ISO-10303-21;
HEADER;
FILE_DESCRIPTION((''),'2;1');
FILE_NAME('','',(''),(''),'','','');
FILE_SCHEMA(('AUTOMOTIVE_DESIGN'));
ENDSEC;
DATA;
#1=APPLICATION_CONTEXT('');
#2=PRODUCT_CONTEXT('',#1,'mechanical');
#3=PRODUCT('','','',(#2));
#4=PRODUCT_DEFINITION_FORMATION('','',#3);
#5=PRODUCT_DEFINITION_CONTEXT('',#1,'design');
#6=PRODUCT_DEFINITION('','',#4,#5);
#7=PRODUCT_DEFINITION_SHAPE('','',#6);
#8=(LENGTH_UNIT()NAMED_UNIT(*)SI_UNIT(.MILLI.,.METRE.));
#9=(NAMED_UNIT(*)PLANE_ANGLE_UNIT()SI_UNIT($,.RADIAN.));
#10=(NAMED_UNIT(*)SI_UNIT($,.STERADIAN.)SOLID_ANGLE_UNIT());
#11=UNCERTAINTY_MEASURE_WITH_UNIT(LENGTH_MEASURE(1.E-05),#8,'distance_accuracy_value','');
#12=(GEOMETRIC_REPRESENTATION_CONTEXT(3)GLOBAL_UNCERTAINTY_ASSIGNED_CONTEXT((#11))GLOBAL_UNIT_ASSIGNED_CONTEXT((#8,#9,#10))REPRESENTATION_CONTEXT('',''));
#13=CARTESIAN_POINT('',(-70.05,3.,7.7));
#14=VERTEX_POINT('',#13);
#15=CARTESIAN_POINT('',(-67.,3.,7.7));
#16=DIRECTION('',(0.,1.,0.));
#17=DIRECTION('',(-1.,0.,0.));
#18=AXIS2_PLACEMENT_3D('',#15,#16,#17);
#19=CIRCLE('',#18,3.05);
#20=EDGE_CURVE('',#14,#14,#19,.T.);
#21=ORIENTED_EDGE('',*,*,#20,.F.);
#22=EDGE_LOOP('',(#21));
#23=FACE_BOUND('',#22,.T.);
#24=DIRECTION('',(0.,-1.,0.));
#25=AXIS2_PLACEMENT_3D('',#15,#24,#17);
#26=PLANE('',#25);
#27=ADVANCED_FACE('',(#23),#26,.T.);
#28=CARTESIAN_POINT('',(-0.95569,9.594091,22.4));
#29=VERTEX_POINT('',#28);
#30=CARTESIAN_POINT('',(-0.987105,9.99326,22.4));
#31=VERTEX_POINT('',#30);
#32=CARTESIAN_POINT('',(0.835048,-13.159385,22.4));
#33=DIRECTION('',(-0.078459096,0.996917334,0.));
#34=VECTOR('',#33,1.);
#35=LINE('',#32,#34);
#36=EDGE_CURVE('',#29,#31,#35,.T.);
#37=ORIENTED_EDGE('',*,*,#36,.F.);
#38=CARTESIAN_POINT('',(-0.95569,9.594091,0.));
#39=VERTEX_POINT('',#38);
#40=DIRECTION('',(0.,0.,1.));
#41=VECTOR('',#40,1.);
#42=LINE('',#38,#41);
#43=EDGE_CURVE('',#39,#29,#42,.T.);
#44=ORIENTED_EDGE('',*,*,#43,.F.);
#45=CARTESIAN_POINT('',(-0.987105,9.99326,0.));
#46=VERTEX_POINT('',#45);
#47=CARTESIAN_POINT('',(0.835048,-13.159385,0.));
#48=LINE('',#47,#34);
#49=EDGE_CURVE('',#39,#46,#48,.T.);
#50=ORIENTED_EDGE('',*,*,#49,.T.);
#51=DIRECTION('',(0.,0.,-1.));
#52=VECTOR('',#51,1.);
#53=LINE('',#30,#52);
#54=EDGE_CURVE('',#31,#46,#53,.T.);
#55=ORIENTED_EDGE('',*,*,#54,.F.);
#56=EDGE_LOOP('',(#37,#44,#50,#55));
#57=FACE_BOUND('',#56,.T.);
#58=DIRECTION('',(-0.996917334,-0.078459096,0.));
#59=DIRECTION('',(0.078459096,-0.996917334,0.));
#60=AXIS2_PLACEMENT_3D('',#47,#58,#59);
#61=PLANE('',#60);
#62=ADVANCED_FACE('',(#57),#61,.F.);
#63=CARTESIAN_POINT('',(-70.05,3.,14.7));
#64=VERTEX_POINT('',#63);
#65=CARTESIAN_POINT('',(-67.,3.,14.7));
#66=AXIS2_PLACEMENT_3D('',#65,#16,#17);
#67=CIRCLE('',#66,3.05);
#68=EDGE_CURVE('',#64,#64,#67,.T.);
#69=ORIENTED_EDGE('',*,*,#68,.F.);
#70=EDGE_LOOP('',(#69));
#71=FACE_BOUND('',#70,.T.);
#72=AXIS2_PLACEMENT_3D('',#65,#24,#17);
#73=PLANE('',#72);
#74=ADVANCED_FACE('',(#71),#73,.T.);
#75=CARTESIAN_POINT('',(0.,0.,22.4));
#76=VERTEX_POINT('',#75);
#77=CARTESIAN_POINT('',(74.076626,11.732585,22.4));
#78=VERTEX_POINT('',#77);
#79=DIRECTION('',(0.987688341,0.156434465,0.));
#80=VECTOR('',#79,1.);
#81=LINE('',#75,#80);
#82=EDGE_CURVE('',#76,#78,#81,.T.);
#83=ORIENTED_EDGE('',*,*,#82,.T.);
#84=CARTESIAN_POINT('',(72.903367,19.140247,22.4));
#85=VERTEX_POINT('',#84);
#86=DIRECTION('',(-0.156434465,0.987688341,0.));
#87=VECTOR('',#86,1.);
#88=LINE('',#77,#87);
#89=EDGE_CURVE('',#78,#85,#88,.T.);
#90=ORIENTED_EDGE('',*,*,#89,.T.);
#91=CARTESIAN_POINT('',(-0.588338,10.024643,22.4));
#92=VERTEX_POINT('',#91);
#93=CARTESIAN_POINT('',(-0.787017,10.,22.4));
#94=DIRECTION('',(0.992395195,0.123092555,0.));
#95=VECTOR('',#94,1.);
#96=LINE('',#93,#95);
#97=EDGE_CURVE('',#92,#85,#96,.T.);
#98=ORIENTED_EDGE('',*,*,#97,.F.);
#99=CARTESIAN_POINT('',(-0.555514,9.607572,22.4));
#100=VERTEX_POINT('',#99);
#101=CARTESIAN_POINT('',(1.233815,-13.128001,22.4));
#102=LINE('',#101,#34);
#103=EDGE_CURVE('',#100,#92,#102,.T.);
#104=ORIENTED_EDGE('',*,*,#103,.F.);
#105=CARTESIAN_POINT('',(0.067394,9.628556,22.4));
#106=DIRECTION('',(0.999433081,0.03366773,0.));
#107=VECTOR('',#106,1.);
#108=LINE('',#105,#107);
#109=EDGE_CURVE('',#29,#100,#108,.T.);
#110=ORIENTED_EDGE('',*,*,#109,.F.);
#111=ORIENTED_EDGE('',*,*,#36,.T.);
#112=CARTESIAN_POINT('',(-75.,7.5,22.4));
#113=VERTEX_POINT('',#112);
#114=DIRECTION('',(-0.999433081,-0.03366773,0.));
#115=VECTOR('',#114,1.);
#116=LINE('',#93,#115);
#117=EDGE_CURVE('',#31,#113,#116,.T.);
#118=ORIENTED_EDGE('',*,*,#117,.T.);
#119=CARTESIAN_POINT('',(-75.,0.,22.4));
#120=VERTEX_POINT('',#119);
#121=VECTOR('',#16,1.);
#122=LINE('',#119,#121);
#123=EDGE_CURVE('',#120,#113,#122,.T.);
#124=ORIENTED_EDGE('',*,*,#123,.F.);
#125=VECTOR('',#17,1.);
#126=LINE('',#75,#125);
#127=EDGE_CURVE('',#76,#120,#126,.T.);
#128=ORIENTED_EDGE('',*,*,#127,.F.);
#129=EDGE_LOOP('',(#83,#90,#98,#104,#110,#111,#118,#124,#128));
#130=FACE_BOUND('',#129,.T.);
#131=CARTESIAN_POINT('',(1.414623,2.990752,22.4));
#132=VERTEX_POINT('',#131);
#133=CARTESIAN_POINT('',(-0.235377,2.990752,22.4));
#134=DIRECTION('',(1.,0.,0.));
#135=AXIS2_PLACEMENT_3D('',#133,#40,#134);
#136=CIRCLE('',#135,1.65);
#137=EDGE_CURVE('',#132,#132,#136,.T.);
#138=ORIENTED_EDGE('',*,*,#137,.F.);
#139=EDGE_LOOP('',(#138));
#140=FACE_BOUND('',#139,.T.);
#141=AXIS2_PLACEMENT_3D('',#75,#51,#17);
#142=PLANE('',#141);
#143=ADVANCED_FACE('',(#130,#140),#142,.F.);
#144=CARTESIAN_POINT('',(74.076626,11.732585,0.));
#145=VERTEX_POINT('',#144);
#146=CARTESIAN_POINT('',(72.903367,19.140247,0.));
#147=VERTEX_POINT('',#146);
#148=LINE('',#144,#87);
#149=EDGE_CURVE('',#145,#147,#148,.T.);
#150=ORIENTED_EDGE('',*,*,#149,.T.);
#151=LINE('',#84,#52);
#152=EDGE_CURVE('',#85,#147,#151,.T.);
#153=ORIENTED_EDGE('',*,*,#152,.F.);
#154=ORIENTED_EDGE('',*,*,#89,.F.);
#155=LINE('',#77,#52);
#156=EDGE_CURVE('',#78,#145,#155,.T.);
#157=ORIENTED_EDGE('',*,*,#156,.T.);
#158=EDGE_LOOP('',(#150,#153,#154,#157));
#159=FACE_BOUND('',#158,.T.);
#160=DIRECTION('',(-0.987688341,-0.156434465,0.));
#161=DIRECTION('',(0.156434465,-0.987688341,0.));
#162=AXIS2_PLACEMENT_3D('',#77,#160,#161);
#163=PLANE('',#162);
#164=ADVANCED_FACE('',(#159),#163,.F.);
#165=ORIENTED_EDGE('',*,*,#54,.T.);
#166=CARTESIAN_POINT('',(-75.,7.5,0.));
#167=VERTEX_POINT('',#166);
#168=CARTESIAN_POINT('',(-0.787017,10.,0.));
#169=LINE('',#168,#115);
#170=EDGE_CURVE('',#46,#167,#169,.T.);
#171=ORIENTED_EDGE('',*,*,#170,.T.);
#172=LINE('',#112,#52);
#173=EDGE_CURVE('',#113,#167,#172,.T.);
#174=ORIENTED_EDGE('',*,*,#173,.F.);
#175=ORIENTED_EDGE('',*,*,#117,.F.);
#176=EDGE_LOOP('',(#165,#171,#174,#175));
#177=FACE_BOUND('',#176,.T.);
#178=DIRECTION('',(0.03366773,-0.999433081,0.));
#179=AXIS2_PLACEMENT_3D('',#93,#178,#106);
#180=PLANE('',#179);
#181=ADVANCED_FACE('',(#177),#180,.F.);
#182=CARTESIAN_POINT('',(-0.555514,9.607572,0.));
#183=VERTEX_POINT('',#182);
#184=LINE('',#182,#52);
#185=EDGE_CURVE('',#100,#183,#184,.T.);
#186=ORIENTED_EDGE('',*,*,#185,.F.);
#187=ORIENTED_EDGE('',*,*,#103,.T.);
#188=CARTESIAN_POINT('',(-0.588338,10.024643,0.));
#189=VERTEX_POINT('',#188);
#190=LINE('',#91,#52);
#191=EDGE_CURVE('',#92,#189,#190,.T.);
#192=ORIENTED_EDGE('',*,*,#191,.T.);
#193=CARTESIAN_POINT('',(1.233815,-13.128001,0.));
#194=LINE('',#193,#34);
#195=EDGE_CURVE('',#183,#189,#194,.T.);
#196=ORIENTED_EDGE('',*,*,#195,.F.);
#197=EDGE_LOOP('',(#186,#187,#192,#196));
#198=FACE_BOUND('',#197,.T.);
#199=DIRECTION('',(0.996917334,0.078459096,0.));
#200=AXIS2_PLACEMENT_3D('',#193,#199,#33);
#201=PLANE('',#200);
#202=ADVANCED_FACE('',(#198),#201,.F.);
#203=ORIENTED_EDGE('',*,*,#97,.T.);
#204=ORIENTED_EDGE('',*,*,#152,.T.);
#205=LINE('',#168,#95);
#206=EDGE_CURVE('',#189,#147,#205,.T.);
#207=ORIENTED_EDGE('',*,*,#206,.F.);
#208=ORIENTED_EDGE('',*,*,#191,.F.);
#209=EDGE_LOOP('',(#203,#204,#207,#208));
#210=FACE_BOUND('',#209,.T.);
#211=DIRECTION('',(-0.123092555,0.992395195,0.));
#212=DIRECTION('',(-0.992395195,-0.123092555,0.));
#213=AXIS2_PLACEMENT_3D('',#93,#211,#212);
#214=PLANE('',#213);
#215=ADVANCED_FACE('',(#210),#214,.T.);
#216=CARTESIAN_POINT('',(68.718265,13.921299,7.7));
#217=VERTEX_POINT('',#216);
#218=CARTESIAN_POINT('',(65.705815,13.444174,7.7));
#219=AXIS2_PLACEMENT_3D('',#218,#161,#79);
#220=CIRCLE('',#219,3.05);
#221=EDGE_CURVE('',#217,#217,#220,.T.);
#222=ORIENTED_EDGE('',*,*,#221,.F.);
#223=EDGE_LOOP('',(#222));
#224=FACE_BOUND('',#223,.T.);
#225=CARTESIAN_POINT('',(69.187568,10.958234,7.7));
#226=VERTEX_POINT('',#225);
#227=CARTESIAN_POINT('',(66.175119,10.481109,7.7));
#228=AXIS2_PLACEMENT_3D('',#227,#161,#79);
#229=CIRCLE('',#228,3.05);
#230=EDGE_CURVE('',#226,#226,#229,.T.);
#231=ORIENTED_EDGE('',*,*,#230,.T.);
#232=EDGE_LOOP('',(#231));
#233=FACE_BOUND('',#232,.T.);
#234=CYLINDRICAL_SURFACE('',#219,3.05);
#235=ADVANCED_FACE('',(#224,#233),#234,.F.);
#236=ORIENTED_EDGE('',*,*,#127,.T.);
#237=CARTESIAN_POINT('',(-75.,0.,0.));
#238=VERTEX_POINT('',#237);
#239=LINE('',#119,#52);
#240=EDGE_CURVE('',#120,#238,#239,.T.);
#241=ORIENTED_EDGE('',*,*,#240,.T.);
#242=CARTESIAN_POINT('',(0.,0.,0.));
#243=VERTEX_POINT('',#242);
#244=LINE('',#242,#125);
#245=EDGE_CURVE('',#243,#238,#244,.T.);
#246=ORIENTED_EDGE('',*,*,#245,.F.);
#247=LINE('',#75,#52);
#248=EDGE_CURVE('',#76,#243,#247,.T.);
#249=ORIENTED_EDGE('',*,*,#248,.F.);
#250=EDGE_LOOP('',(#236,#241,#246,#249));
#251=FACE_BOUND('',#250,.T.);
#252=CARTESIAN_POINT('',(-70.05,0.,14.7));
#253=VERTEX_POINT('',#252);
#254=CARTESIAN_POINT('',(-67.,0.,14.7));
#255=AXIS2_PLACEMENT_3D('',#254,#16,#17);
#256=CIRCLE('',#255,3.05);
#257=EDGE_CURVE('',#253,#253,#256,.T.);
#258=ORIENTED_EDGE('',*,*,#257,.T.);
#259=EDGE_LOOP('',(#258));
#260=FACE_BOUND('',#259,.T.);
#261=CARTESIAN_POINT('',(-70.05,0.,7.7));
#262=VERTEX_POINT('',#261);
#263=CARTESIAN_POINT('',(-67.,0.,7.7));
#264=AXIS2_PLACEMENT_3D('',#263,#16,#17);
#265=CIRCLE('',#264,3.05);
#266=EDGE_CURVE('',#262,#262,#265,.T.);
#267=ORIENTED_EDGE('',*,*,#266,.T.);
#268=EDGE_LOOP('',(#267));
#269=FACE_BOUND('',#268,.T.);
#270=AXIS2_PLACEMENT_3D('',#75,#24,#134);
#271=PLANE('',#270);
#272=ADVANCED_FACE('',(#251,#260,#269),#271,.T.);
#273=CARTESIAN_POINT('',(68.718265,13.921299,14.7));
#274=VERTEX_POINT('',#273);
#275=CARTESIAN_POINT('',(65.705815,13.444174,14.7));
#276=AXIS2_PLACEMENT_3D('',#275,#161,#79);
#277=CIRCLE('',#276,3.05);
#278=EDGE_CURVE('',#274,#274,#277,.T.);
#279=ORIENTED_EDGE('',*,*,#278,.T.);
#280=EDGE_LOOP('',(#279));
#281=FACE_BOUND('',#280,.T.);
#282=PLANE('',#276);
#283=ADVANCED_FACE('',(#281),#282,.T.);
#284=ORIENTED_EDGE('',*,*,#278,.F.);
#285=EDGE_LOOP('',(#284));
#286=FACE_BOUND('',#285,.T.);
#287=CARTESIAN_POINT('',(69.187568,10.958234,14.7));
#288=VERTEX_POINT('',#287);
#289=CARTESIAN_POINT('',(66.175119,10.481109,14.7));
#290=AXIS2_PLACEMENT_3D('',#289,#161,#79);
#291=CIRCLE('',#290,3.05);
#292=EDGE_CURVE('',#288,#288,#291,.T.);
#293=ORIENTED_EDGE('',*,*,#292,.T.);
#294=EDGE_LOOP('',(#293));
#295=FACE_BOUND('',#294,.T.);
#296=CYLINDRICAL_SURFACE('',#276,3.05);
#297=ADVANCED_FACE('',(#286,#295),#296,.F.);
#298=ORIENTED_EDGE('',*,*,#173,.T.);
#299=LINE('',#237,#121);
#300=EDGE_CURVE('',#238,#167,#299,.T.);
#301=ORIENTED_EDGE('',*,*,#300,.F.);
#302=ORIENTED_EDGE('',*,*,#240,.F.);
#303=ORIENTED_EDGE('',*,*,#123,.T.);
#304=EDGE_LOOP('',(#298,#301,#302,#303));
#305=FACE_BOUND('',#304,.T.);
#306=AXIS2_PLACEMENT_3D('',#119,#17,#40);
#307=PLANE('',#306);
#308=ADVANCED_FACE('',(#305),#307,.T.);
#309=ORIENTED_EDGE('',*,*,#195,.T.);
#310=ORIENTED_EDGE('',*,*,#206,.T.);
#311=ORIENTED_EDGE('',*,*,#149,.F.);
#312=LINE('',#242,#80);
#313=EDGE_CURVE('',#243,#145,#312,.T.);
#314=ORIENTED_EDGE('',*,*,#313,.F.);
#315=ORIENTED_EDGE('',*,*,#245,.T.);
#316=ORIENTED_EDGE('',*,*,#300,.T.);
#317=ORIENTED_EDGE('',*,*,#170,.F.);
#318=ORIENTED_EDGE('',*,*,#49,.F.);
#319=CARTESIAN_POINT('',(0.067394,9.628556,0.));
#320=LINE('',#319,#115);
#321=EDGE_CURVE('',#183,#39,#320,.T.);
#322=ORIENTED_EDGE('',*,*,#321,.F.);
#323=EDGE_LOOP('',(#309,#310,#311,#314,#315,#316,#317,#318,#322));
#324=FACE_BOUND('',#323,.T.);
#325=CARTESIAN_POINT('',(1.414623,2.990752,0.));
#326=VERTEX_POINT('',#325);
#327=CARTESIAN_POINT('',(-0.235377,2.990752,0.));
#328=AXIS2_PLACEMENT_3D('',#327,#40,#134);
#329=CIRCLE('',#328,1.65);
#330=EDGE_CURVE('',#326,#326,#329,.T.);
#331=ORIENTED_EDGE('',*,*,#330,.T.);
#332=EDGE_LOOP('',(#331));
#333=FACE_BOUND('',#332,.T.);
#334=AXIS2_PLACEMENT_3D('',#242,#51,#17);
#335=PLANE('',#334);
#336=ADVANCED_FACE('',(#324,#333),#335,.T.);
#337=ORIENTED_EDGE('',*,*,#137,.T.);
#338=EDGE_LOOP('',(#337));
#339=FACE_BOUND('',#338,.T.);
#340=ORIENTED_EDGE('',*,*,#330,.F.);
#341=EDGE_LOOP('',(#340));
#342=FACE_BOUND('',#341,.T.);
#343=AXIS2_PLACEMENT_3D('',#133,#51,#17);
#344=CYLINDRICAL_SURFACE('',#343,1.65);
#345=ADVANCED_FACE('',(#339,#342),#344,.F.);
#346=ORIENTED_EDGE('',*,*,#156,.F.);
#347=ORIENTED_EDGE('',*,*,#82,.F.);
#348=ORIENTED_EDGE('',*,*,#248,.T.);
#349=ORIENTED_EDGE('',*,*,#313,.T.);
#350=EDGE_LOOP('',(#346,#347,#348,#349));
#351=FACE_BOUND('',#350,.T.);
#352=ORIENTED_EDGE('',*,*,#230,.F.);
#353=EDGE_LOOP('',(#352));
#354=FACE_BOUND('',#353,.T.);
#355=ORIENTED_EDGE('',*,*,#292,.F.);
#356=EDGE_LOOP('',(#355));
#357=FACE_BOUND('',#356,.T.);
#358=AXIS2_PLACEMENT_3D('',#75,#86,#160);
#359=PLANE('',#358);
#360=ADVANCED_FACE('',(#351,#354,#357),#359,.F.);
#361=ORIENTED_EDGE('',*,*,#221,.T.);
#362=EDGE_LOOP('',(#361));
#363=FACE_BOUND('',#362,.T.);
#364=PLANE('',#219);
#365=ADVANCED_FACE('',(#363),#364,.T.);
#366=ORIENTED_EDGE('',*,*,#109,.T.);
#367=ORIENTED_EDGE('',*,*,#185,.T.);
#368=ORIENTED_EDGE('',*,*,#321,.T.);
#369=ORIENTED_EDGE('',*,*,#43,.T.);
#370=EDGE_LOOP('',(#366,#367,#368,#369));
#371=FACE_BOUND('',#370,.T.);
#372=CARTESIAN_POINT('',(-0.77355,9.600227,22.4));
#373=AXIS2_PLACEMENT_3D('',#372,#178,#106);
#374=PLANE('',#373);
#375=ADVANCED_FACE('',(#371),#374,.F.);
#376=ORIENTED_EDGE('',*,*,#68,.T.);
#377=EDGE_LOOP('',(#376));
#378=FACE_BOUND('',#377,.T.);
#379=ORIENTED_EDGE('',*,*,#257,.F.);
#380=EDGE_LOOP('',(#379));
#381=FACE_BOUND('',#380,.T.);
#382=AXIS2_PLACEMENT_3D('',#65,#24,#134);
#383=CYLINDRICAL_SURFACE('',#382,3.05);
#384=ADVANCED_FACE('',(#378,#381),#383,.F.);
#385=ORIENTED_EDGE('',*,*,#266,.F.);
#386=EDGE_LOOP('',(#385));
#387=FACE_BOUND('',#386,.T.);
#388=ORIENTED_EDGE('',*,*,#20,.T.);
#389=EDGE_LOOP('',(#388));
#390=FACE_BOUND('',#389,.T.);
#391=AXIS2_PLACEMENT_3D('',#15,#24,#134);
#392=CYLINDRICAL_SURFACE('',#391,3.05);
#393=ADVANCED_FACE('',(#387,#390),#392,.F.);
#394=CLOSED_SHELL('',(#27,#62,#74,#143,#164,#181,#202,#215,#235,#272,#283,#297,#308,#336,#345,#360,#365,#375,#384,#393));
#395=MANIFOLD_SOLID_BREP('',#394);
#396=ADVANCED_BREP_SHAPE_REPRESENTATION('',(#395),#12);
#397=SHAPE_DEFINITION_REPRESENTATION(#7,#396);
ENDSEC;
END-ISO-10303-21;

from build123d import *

# Parameters (mm, degrees)
SKETCH1_R           = 1.65
BOSS_EXTRUDE1_DEPTH = 22.4
SKETCH2_R           = 3.05
CUT_EXTRUDE1_DEPTH  = 3
CUT_EXTRUDE2_REACH  = 81.517
SKETCH3_W           = 0.4
SKETCH3_H           = 22.4


with BuildPart() as part:
    # Sketch1 → Boss-Extrude1 (new body)
    with BuildSketch(Plane.XY):
        Polygon((0, 0), (-75, 0), (-75, 7.5), (-0.787017068, 10), (72.903367057, 19.140247432), (74.076625545, 11.732584878), align=None)
        with Locations((-0.235377287, 2.990752001)):
            Circle(SKETCH1_R, mode=Mode.SUBTRACT)
    extrude(amount=BOSS_EXTRUDE1_DEPTH)

    # Sketch2 → Cut-Extrude1 (cut)
    with BuildSketch(Plane(origin=(0, 0, 0), x_dir=(0.9876883405951377, 0.15643446504023117, 0), z_dir=(0.1564344650402312, -0.9876883405951378, 0))):
        with Locations((67, 14.7)):
            Circle(SKETCH2_R)
        with Locations((67, 7.7)):
            Circle(SKETCH2_R)
    cut_extrude1 = extrude(amount=-CUT_EXTRUDE1_DEPTH, mode=Mode.SUBTRACT)

    # Mirror1: Cut-Extrude1 across plane
    add(cut_extrude1.mirror(Plane(origin=(0, 0, 0), x_dir=(0, 0, 1), z_dir=(0.9969173337331281, 0.07845909572784505, 0))), mode=Mode.SUBTRACT)

    # Cut-Extrude2: up to this plane
    cut_extrude2_end = Plane(origin=(-0.773549976, 9.600226767, 22.4), z_dir=(0.03366773042207346, -0.9994330812656876, 0))
    # Sketch3 → Cut-Extrude2 (cut, up to the surface)
    with BuildSketch(Plane(origin=(-1.048316472, 13.320123716, 0), x_dir=(0.9969173337331281, 0.07845909572784511, 0), z_dir=(-0.07845909572784511, 0.9969173337331281, 0)), mode=Mode.PRIVATE) as cut_extrude2_sk1:
        with Locations((0, -11.2)):
            Rectangle(SKETCH3_W, SKETCH3_H)
    cut_extrude2_tool1 = split(extrude(cut_extrude2_sk1.sketch, amount=-CUT_EXTRUDE2_REACH, mode=Mode.PRIVATE), bisect_by=cut_extrude2_end, keep=Keep.BOTH, mode=Mode.PRIVATE)
    add(cut_extrude2_tool1.solids().sort_by_distance((-1.048316, 13.320124, 11.2))[0], mode=Mode.SUBTRACT)


solid = part.part
